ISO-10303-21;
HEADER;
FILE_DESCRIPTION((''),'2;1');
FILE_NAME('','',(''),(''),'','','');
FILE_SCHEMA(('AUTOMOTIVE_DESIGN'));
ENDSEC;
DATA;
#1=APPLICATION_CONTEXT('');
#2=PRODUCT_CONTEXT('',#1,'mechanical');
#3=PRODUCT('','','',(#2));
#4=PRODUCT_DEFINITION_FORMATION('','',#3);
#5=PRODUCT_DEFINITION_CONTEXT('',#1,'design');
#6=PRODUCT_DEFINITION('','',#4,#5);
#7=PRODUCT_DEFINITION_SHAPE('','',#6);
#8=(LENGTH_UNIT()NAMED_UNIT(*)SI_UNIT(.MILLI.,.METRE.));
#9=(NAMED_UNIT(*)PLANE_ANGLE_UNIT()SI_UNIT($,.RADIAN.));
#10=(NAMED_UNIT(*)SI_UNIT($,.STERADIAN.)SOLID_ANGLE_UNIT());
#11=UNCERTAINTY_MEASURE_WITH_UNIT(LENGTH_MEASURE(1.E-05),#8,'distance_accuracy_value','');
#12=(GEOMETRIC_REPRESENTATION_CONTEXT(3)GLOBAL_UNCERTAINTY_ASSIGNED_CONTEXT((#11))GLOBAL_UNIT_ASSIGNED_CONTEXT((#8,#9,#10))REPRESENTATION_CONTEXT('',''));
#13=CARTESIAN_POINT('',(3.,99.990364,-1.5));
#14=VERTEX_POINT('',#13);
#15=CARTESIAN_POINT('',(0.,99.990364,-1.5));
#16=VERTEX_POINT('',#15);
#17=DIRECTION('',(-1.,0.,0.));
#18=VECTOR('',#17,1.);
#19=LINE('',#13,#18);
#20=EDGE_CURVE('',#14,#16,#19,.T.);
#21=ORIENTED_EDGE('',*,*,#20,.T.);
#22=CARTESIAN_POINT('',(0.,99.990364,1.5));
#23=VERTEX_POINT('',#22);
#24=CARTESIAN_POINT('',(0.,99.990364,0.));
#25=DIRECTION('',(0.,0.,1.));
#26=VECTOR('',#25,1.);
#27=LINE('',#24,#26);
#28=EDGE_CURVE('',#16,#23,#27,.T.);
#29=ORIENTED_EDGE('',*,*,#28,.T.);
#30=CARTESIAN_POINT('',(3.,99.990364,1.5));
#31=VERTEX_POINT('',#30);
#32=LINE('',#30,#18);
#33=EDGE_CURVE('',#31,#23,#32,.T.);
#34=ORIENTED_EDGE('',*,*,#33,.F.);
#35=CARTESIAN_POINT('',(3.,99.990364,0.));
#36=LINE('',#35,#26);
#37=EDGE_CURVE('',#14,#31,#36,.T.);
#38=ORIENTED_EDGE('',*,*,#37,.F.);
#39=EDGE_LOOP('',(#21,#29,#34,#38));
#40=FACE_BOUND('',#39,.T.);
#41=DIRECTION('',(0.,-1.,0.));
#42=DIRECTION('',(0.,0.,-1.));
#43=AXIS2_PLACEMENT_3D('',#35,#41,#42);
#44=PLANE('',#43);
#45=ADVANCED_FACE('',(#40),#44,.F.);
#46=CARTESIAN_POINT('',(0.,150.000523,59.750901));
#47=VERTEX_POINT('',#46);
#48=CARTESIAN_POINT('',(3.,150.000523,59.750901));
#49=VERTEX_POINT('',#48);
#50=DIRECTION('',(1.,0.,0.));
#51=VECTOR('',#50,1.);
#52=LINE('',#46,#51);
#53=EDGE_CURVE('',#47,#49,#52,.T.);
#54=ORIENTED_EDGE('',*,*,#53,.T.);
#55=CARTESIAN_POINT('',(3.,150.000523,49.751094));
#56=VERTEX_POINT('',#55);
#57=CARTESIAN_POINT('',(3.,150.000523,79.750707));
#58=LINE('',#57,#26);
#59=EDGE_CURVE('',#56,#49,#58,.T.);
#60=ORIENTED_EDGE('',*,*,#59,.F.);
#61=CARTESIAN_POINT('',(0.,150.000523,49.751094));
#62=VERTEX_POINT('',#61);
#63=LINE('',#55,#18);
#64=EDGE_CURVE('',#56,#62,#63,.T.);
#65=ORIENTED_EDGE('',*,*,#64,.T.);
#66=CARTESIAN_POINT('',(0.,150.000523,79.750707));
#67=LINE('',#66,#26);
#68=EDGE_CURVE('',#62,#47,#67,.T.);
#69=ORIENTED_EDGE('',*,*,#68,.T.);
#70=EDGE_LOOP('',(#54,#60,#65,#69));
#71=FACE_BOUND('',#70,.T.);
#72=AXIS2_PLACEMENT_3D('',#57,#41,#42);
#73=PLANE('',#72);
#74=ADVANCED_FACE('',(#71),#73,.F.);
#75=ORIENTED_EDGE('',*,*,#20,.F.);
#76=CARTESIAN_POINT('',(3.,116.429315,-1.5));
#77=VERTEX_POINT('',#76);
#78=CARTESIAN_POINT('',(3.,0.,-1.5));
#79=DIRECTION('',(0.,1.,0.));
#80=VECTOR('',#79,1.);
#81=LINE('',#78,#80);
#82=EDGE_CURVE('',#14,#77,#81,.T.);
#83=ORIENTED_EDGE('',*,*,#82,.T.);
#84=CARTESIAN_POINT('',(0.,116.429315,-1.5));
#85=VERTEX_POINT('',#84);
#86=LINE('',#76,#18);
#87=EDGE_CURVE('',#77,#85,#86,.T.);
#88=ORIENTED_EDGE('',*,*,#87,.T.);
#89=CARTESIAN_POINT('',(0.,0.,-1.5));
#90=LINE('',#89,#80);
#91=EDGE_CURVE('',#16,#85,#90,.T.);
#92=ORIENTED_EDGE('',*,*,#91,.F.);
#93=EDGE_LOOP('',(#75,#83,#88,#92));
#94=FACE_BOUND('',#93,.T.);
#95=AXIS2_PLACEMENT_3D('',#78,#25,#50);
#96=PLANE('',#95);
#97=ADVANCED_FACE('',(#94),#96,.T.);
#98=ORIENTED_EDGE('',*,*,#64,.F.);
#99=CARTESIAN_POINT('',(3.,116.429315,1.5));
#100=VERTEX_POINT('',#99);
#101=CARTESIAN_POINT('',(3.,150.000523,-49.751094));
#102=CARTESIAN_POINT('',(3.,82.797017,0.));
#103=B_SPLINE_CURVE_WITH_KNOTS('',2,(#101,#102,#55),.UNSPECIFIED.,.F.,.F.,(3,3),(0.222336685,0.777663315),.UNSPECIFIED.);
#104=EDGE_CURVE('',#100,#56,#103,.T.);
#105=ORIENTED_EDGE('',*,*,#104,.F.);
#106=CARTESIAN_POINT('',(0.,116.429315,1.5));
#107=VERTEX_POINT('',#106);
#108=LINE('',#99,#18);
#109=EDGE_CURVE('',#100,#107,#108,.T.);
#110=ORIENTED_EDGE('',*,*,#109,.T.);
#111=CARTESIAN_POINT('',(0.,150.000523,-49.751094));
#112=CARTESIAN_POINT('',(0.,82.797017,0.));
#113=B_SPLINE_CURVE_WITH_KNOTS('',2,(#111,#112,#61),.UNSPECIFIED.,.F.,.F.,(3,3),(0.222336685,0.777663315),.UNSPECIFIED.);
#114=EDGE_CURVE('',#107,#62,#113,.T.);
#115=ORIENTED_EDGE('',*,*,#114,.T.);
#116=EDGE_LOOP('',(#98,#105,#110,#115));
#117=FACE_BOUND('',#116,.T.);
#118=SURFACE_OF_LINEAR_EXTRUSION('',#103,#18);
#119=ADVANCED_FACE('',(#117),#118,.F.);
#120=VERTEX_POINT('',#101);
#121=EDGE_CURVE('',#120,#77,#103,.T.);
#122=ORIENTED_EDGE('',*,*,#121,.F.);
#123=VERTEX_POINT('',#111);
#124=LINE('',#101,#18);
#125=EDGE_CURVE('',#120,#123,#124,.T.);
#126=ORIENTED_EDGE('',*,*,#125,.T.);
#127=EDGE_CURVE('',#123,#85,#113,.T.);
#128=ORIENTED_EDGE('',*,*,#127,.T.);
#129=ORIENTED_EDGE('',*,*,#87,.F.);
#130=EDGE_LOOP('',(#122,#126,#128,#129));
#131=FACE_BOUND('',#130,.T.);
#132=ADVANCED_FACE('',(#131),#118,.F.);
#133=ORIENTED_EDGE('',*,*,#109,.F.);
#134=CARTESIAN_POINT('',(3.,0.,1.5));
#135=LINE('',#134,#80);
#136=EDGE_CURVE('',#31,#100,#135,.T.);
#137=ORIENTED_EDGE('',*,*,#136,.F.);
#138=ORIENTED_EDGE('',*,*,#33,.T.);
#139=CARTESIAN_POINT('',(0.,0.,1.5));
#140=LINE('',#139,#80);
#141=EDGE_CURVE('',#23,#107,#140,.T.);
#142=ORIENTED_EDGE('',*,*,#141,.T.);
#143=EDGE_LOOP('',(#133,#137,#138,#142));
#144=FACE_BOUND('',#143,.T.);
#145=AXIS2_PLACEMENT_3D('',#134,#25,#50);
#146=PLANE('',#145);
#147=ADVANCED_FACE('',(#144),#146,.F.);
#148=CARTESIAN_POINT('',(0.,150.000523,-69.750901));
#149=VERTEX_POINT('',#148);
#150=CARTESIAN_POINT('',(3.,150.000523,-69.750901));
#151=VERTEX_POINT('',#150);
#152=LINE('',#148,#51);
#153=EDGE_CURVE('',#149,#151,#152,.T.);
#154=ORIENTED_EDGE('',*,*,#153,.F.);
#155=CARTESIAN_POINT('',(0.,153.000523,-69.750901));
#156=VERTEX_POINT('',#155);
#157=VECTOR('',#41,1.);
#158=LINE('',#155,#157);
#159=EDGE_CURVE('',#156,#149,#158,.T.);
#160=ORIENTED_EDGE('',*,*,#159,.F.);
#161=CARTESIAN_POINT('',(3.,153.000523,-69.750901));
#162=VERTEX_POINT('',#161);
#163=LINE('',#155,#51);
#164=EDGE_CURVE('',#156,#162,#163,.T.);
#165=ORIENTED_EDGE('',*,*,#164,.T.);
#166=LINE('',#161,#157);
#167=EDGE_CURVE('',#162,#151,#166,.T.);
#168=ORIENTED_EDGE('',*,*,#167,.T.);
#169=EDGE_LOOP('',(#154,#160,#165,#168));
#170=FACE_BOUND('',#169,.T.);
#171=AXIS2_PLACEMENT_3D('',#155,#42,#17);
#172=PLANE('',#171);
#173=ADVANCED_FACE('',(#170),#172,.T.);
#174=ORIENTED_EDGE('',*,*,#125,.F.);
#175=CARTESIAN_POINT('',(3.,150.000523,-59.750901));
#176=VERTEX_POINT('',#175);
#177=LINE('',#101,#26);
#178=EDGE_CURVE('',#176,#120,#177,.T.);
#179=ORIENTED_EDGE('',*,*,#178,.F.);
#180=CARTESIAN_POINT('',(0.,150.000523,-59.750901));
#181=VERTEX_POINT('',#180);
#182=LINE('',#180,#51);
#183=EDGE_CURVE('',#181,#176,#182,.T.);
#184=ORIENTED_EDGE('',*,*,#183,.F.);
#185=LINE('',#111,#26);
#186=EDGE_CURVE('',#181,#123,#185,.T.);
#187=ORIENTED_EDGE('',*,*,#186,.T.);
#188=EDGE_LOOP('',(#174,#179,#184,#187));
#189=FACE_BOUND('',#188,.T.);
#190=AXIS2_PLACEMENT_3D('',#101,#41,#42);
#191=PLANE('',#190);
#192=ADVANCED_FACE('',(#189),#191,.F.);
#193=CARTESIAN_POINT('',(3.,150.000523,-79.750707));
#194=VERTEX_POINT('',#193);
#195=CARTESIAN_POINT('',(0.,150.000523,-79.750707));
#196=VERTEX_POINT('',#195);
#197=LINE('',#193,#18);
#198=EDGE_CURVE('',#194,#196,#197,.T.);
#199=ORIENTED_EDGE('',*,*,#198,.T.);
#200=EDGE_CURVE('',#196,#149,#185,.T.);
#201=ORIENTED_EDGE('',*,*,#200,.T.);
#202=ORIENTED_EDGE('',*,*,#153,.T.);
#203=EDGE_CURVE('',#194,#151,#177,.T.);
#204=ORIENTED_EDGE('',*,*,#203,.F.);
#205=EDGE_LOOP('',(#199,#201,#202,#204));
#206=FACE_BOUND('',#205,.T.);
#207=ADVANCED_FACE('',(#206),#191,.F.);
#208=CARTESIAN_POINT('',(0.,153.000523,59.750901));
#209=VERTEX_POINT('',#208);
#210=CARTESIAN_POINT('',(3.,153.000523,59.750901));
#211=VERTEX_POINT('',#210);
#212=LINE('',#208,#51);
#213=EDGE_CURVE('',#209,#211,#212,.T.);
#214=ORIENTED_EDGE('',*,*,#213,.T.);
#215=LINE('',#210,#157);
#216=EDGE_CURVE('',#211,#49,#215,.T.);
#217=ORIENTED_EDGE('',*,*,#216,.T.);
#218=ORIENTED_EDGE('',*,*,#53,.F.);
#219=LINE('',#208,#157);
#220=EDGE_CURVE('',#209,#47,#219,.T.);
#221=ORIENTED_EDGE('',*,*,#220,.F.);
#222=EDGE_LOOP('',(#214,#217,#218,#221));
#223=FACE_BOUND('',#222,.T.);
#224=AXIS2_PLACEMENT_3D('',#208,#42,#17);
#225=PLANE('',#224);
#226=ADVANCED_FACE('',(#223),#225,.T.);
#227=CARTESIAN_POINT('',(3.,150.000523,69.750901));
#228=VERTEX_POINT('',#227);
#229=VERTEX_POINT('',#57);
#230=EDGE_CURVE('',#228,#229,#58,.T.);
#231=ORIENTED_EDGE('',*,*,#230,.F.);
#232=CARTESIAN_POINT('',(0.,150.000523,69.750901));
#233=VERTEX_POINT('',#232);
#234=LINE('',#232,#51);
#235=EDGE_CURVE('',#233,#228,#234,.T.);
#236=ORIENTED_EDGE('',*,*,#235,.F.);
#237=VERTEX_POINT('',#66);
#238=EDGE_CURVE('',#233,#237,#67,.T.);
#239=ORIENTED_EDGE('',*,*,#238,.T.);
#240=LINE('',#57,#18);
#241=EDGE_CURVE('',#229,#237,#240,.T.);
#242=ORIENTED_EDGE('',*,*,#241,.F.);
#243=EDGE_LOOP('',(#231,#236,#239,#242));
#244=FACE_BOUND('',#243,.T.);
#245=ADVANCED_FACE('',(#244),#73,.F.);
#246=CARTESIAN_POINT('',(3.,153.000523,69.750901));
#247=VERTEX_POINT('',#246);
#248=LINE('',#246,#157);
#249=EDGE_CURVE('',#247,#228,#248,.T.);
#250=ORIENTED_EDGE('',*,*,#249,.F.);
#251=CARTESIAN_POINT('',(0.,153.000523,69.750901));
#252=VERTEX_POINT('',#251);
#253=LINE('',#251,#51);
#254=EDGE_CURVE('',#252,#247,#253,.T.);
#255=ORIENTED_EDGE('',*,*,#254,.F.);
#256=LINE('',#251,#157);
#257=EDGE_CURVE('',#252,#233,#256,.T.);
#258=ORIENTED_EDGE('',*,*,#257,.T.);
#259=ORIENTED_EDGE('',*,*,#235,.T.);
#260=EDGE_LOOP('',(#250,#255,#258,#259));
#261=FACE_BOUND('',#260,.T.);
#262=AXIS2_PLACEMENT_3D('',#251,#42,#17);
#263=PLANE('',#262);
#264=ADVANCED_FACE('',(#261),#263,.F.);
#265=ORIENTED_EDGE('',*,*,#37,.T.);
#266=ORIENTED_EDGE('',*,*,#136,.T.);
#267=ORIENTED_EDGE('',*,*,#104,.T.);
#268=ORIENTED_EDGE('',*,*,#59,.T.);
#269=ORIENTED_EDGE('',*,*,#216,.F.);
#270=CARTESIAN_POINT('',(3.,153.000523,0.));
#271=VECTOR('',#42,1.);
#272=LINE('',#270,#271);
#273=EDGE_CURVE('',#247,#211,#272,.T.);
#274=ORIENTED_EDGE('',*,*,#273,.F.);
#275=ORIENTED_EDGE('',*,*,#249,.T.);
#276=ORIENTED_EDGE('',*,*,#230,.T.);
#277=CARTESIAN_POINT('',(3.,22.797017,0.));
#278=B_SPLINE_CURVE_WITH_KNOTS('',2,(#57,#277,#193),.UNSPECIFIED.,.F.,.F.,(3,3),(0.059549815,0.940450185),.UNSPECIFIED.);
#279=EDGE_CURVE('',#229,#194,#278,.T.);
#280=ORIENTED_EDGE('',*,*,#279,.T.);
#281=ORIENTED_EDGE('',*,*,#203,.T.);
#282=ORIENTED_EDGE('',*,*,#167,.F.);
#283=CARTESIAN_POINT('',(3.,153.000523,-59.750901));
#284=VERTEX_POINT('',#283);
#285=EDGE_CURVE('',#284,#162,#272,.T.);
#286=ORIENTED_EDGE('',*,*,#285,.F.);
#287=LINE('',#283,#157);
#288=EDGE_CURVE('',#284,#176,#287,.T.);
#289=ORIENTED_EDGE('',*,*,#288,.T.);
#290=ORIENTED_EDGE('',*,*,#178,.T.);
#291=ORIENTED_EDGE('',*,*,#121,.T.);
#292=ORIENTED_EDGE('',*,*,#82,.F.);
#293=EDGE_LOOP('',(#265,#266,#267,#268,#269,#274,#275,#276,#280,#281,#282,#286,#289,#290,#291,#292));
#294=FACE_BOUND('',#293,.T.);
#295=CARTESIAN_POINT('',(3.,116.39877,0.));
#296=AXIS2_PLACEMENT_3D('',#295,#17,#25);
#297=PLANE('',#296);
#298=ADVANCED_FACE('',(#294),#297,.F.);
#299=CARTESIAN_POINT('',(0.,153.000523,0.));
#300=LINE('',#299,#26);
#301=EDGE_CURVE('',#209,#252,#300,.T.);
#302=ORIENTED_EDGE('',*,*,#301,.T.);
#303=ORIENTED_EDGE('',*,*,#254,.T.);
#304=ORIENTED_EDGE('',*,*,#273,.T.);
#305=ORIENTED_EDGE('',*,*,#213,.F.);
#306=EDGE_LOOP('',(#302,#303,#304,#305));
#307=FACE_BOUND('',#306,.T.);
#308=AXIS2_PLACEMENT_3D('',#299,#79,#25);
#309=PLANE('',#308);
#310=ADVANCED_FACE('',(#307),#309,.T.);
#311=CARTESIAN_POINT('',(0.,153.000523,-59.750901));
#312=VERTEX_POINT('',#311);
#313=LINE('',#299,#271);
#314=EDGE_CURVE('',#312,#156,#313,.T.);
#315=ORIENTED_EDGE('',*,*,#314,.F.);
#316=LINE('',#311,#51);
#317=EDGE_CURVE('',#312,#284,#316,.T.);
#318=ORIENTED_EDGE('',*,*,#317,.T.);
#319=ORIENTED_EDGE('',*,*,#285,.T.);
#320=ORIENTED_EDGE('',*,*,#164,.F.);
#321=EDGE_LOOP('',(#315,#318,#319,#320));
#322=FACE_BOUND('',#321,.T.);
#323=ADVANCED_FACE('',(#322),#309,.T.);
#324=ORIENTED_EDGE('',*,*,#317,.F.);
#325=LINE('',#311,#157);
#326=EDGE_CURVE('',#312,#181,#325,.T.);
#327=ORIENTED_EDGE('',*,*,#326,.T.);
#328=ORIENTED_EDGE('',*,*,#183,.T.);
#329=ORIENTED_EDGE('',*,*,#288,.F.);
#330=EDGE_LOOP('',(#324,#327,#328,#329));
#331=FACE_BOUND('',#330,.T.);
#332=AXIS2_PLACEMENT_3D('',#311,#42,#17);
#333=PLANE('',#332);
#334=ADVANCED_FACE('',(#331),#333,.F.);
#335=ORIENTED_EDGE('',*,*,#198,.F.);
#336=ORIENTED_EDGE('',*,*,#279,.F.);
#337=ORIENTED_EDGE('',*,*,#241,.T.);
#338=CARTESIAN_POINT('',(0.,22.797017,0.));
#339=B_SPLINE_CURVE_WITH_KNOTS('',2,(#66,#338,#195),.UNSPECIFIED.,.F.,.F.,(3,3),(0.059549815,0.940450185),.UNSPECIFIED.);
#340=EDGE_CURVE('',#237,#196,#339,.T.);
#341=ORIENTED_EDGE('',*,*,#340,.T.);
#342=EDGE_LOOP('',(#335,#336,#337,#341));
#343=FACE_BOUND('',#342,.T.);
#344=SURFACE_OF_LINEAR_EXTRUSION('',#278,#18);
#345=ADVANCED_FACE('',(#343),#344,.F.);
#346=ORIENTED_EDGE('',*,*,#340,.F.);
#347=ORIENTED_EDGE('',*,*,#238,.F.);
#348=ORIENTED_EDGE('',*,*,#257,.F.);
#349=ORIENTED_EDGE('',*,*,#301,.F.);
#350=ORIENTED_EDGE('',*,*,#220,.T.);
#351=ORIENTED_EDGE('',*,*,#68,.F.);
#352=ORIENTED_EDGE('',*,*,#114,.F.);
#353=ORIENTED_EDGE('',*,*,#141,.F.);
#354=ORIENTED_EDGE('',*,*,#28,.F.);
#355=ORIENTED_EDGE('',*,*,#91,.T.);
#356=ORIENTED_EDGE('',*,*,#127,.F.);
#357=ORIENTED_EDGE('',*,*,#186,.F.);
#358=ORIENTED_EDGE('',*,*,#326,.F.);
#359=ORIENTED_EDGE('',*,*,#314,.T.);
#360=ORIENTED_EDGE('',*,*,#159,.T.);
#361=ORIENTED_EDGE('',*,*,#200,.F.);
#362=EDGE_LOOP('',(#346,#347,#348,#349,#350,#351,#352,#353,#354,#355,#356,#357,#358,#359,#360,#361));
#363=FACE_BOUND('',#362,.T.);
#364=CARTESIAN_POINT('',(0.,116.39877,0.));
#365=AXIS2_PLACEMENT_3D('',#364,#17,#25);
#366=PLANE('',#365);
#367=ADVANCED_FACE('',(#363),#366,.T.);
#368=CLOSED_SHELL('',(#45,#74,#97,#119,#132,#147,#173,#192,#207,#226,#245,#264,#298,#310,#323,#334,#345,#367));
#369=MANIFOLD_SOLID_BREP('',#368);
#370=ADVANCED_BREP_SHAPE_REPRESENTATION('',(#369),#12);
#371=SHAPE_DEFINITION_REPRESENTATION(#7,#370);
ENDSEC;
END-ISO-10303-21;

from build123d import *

# Parameters (mm, degrees)
EXTRUDE_1_DEPTH     = 3
EXTRUDE_2_DEPTH     = 3
CUT_EXTRUDE_1_DEPTH = 173.564004098


with BuildPart() as part:
    # 草图1 → 凸台-拉伸1 (new body)
    with BuildSketch(Plane(origin=(0, 0, 0), x_dir=(0, 0, -1), z_dir=(1, 0, 0))):
        with BuildLine():
            Line((-79.7507074, 150.000523308), (-49.751094174, 150.000523308))
            add(Edge.make_bspline(
                [(-49.751094174, 150.000523308), (0, 82.797016692), (49.751094174, 150.000523308)],
                knots=[0.222336685, 0.222336685, 0.222336685, 0.777663315, 0.777663315, 0.777663315], degree=2))
            Line((49.751094174, 150.000523308), (79.7507074, 150.000523308))
            add(Edge.make_bspline(
                [(-79.7507074, 150.000523308), (0, 22.797016692), (79.7507074, 150.000523308)],
                knots=[0.059549815, 0.059549815, 0.059549815, 0.940450185, 0.940450185, 0.940450185], degree=2))
        make_face()
    extrude(amount=EXTRUDE_1_DEPTH)

    # 草图2 → 凸台-拉伸2 (add)
    with BuildSketch(Plane(origin=(0, 150.000523308, 0), x_dir=(1, 0, 0), z_dir=(0, 1, 0))):
        Polygon((3, -59.750900787), (0.999993554, -59.750900787), (2.000006446, -69.750900787), (3, -69.750900787), align=None)
        Polygon((2.000006446, -69.750900787), (0.999993554, -59.750900787), (0, -59.750900787), (0, -69.750900787), align=None)
        Polygon((2.000006446, 59.750900787), (0.999993554, 69.750900787), (0, 69.750900787), (0, 59.750900787), align=None)
        Polygon((3, 69.750900787), (0.999993554, 69.750900787), (2.000006446, 59.750900787), (3, 59.750900787), align=None)
    extrude(amount=EXTRUDE_2_DEPTH)

    # 草图3 → 切除-拉伸1 (cut, through all)
    with BuildSketch(Plane.ZY):
        with BuildLine():
            Line((-1.5, 116.429314933), (-1.5, 99.990363817))
            Line((-1.5, 99.990363817), (1.5, 99.990363817))
            Line((1.5, 99.990363817), (1.5, 116.429314934))
            add(Edge.make_bspline(
                [(1.5, 116.429314934), (0, 116.368225067), (-1.5, 116.429314933)],
                knots=[0.491628426, 0.491628426, 0.491628426, 0.508371574, 0.508371574, 0.508371574], degree=2))
        make_face()
    extrude(amount=-CUT_EXTRUDE_1_DEPTH, mode=Mode.SUBTRACT)


solid = part.part
